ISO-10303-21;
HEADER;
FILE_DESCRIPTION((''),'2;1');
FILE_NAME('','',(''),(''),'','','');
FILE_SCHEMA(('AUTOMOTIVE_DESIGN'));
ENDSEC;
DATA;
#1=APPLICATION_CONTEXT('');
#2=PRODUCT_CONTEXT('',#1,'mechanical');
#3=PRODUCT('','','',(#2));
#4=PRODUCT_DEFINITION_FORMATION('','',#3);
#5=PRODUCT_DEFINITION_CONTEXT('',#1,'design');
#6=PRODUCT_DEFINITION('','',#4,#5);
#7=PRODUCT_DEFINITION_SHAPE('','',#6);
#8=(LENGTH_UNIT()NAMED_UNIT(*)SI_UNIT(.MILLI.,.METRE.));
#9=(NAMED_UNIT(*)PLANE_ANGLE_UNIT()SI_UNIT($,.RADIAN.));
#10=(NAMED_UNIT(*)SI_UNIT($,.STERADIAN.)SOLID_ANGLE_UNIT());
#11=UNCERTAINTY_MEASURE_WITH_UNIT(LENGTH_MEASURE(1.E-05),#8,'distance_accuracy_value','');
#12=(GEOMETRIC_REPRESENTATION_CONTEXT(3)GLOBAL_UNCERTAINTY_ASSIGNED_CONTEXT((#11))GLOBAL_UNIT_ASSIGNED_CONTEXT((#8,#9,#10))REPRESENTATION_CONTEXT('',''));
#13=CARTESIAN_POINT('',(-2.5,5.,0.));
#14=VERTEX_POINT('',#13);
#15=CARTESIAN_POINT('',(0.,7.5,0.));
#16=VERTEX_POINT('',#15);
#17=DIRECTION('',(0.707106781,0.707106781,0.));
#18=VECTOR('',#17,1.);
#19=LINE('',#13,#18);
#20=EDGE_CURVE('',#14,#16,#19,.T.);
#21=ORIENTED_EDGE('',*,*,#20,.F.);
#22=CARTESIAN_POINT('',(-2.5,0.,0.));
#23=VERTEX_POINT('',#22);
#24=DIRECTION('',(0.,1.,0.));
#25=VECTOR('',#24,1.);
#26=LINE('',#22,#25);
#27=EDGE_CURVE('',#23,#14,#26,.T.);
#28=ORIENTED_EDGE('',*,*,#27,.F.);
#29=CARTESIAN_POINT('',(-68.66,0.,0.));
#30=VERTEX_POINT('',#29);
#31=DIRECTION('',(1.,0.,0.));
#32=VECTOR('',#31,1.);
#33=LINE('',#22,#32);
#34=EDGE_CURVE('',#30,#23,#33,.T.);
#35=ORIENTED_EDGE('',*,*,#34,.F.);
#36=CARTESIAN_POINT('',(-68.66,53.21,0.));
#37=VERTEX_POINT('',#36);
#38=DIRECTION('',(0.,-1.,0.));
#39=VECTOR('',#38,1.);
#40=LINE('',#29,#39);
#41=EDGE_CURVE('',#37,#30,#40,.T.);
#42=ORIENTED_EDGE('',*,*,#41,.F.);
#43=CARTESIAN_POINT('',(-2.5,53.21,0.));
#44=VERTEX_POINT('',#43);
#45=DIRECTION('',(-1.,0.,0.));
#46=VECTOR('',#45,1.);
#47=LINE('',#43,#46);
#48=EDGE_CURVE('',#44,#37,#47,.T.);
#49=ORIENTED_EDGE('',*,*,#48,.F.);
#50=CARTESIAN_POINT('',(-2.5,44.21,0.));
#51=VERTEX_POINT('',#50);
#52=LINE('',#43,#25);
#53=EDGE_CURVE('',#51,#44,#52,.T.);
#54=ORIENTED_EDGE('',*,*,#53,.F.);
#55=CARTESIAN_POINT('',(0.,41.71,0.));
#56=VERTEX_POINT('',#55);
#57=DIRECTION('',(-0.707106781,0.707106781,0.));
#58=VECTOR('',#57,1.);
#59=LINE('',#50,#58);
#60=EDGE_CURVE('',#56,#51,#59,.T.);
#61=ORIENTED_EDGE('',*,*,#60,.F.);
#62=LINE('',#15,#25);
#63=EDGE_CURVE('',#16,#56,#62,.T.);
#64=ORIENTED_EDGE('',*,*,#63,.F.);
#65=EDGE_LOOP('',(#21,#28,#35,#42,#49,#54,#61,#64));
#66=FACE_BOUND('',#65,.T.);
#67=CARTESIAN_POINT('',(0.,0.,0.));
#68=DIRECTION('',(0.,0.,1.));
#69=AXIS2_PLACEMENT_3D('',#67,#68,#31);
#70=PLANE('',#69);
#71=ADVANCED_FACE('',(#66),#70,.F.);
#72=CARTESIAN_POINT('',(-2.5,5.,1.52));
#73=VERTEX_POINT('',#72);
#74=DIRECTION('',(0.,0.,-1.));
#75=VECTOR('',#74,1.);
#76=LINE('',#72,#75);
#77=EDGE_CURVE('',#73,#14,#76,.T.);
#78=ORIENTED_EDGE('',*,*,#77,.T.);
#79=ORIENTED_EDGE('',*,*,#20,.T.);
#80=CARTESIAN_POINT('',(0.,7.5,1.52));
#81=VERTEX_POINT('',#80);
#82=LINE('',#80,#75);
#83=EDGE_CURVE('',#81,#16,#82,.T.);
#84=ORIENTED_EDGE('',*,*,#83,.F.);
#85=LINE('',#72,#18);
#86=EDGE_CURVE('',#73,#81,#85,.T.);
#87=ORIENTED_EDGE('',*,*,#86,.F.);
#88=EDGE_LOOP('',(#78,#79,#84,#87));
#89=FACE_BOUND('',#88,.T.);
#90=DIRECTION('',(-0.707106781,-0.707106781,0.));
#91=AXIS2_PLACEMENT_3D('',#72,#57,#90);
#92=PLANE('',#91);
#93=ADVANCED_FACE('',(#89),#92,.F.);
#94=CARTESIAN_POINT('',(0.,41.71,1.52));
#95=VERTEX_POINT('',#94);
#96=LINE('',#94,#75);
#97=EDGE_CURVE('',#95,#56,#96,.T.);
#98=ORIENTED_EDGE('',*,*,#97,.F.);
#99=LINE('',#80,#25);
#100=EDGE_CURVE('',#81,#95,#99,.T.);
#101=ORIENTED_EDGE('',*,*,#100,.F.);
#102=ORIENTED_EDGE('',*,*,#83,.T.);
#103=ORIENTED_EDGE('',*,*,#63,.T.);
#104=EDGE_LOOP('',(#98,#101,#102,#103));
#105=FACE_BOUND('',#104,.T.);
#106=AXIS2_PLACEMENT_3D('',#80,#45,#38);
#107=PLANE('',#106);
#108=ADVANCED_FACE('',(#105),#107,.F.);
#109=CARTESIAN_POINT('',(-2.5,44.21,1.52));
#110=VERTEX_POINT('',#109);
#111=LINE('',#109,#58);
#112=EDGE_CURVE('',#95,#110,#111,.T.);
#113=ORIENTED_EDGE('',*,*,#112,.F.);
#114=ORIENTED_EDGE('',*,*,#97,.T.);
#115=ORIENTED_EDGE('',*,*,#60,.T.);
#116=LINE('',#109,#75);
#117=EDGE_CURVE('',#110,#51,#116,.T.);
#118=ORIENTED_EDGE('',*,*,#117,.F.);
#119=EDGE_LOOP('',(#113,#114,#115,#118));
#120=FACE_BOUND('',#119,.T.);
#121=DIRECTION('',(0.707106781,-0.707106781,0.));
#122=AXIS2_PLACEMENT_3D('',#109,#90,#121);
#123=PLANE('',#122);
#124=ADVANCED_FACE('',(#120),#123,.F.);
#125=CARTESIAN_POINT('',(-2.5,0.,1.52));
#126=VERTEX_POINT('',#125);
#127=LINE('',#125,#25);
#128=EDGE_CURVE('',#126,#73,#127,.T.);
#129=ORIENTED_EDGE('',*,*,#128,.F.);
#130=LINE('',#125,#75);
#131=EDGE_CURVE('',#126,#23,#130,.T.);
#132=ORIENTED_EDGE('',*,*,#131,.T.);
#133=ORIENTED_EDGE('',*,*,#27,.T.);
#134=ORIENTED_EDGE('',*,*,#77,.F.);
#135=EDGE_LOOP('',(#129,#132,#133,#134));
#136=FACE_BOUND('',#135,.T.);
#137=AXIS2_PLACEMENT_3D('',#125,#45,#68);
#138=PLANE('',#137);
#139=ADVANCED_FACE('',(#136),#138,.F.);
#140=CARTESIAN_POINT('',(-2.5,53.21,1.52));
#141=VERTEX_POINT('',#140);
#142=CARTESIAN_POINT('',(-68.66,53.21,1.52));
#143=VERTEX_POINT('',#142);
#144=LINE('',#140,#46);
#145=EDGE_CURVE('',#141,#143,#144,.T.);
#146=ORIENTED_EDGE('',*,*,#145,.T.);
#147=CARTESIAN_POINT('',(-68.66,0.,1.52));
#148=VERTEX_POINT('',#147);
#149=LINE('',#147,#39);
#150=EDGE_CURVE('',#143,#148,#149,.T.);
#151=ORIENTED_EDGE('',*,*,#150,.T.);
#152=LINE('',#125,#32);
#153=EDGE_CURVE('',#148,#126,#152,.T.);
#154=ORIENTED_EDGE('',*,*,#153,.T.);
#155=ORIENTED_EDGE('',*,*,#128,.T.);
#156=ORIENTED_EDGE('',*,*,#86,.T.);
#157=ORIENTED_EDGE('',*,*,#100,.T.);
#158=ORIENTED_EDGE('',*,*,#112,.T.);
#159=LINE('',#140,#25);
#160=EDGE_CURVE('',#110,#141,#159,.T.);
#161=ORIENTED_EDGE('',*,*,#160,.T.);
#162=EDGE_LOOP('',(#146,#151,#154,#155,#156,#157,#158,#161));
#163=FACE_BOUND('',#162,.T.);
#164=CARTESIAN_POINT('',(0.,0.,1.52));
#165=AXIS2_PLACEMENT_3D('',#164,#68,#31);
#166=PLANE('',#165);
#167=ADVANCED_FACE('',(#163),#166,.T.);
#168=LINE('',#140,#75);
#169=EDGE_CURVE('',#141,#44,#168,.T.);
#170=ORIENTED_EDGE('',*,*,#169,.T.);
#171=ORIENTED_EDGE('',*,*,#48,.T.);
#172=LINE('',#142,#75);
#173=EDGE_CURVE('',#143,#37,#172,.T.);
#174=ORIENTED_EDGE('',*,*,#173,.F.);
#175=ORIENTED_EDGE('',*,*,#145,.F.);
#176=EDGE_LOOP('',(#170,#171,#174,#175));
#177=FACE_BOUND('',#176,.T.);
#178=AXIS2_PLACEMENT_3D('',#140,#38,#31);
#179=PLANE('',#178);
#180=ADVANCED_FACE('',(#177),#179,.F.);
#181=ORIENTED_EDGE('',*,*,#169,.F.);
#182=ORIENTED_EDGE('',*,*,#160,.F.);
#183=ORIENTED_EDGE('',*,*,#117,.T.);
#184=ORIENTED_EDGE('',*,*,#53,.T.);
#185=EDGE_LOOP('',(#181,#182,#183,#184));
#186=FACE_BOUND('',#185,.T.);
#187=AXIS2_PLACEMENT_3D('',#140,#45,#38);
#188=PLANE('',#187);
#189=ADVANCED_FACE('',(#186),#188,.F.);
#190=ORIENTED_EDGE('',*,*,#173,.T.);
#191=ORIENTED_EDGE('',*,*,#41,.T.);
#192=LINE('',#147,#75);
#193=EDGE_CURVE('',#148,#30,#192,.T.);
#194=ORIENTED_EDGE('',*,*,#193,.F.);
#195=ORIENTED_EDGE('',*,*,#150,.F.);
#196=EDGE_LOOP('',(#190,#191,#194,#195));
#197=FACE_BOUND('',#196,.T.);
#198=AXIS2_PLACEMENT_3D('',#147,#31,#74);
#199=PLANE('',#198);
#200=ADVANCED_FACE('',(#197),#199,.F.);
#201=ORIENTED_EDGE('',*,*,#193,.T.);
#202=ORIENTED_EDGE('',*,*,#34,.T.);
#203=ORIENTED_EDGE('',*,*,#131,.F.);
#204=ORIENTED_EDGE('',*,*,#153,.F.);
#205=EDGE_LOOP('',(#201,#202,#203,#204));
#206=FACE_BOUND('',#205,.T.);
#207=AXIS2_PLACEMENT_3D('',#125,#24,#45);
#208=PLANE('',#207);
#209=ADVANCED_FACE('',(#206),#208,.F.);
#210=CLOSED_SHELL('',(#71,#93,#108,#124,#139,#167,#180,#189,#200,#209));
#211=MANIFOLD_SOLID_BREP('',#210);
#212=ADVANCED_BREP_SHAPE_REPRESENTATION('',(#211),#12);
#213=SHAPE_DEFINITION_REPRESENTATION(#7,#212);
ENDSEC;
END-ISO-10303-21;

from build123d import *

# Parameters (mm, degrees)
SALIENTE_EXTRUIR1_DEPTH = 1.52


with BuildPart() as part:
    # Croquis1 → Saliente-Extruir1 (new body)
    with BuildSketch(Plane.XY):
        Polygon((-2.5, 53.21), (-2.5, 44.21), (0, 41.71), (0, 7.5), (-2.5, 5), (-2.5, 0), (-68.66, 0), (-68.66, 53.21), align=None)
    extrude(amount=SALIENTE_EXTRUIR1_DEPTH)


solid = part.part
